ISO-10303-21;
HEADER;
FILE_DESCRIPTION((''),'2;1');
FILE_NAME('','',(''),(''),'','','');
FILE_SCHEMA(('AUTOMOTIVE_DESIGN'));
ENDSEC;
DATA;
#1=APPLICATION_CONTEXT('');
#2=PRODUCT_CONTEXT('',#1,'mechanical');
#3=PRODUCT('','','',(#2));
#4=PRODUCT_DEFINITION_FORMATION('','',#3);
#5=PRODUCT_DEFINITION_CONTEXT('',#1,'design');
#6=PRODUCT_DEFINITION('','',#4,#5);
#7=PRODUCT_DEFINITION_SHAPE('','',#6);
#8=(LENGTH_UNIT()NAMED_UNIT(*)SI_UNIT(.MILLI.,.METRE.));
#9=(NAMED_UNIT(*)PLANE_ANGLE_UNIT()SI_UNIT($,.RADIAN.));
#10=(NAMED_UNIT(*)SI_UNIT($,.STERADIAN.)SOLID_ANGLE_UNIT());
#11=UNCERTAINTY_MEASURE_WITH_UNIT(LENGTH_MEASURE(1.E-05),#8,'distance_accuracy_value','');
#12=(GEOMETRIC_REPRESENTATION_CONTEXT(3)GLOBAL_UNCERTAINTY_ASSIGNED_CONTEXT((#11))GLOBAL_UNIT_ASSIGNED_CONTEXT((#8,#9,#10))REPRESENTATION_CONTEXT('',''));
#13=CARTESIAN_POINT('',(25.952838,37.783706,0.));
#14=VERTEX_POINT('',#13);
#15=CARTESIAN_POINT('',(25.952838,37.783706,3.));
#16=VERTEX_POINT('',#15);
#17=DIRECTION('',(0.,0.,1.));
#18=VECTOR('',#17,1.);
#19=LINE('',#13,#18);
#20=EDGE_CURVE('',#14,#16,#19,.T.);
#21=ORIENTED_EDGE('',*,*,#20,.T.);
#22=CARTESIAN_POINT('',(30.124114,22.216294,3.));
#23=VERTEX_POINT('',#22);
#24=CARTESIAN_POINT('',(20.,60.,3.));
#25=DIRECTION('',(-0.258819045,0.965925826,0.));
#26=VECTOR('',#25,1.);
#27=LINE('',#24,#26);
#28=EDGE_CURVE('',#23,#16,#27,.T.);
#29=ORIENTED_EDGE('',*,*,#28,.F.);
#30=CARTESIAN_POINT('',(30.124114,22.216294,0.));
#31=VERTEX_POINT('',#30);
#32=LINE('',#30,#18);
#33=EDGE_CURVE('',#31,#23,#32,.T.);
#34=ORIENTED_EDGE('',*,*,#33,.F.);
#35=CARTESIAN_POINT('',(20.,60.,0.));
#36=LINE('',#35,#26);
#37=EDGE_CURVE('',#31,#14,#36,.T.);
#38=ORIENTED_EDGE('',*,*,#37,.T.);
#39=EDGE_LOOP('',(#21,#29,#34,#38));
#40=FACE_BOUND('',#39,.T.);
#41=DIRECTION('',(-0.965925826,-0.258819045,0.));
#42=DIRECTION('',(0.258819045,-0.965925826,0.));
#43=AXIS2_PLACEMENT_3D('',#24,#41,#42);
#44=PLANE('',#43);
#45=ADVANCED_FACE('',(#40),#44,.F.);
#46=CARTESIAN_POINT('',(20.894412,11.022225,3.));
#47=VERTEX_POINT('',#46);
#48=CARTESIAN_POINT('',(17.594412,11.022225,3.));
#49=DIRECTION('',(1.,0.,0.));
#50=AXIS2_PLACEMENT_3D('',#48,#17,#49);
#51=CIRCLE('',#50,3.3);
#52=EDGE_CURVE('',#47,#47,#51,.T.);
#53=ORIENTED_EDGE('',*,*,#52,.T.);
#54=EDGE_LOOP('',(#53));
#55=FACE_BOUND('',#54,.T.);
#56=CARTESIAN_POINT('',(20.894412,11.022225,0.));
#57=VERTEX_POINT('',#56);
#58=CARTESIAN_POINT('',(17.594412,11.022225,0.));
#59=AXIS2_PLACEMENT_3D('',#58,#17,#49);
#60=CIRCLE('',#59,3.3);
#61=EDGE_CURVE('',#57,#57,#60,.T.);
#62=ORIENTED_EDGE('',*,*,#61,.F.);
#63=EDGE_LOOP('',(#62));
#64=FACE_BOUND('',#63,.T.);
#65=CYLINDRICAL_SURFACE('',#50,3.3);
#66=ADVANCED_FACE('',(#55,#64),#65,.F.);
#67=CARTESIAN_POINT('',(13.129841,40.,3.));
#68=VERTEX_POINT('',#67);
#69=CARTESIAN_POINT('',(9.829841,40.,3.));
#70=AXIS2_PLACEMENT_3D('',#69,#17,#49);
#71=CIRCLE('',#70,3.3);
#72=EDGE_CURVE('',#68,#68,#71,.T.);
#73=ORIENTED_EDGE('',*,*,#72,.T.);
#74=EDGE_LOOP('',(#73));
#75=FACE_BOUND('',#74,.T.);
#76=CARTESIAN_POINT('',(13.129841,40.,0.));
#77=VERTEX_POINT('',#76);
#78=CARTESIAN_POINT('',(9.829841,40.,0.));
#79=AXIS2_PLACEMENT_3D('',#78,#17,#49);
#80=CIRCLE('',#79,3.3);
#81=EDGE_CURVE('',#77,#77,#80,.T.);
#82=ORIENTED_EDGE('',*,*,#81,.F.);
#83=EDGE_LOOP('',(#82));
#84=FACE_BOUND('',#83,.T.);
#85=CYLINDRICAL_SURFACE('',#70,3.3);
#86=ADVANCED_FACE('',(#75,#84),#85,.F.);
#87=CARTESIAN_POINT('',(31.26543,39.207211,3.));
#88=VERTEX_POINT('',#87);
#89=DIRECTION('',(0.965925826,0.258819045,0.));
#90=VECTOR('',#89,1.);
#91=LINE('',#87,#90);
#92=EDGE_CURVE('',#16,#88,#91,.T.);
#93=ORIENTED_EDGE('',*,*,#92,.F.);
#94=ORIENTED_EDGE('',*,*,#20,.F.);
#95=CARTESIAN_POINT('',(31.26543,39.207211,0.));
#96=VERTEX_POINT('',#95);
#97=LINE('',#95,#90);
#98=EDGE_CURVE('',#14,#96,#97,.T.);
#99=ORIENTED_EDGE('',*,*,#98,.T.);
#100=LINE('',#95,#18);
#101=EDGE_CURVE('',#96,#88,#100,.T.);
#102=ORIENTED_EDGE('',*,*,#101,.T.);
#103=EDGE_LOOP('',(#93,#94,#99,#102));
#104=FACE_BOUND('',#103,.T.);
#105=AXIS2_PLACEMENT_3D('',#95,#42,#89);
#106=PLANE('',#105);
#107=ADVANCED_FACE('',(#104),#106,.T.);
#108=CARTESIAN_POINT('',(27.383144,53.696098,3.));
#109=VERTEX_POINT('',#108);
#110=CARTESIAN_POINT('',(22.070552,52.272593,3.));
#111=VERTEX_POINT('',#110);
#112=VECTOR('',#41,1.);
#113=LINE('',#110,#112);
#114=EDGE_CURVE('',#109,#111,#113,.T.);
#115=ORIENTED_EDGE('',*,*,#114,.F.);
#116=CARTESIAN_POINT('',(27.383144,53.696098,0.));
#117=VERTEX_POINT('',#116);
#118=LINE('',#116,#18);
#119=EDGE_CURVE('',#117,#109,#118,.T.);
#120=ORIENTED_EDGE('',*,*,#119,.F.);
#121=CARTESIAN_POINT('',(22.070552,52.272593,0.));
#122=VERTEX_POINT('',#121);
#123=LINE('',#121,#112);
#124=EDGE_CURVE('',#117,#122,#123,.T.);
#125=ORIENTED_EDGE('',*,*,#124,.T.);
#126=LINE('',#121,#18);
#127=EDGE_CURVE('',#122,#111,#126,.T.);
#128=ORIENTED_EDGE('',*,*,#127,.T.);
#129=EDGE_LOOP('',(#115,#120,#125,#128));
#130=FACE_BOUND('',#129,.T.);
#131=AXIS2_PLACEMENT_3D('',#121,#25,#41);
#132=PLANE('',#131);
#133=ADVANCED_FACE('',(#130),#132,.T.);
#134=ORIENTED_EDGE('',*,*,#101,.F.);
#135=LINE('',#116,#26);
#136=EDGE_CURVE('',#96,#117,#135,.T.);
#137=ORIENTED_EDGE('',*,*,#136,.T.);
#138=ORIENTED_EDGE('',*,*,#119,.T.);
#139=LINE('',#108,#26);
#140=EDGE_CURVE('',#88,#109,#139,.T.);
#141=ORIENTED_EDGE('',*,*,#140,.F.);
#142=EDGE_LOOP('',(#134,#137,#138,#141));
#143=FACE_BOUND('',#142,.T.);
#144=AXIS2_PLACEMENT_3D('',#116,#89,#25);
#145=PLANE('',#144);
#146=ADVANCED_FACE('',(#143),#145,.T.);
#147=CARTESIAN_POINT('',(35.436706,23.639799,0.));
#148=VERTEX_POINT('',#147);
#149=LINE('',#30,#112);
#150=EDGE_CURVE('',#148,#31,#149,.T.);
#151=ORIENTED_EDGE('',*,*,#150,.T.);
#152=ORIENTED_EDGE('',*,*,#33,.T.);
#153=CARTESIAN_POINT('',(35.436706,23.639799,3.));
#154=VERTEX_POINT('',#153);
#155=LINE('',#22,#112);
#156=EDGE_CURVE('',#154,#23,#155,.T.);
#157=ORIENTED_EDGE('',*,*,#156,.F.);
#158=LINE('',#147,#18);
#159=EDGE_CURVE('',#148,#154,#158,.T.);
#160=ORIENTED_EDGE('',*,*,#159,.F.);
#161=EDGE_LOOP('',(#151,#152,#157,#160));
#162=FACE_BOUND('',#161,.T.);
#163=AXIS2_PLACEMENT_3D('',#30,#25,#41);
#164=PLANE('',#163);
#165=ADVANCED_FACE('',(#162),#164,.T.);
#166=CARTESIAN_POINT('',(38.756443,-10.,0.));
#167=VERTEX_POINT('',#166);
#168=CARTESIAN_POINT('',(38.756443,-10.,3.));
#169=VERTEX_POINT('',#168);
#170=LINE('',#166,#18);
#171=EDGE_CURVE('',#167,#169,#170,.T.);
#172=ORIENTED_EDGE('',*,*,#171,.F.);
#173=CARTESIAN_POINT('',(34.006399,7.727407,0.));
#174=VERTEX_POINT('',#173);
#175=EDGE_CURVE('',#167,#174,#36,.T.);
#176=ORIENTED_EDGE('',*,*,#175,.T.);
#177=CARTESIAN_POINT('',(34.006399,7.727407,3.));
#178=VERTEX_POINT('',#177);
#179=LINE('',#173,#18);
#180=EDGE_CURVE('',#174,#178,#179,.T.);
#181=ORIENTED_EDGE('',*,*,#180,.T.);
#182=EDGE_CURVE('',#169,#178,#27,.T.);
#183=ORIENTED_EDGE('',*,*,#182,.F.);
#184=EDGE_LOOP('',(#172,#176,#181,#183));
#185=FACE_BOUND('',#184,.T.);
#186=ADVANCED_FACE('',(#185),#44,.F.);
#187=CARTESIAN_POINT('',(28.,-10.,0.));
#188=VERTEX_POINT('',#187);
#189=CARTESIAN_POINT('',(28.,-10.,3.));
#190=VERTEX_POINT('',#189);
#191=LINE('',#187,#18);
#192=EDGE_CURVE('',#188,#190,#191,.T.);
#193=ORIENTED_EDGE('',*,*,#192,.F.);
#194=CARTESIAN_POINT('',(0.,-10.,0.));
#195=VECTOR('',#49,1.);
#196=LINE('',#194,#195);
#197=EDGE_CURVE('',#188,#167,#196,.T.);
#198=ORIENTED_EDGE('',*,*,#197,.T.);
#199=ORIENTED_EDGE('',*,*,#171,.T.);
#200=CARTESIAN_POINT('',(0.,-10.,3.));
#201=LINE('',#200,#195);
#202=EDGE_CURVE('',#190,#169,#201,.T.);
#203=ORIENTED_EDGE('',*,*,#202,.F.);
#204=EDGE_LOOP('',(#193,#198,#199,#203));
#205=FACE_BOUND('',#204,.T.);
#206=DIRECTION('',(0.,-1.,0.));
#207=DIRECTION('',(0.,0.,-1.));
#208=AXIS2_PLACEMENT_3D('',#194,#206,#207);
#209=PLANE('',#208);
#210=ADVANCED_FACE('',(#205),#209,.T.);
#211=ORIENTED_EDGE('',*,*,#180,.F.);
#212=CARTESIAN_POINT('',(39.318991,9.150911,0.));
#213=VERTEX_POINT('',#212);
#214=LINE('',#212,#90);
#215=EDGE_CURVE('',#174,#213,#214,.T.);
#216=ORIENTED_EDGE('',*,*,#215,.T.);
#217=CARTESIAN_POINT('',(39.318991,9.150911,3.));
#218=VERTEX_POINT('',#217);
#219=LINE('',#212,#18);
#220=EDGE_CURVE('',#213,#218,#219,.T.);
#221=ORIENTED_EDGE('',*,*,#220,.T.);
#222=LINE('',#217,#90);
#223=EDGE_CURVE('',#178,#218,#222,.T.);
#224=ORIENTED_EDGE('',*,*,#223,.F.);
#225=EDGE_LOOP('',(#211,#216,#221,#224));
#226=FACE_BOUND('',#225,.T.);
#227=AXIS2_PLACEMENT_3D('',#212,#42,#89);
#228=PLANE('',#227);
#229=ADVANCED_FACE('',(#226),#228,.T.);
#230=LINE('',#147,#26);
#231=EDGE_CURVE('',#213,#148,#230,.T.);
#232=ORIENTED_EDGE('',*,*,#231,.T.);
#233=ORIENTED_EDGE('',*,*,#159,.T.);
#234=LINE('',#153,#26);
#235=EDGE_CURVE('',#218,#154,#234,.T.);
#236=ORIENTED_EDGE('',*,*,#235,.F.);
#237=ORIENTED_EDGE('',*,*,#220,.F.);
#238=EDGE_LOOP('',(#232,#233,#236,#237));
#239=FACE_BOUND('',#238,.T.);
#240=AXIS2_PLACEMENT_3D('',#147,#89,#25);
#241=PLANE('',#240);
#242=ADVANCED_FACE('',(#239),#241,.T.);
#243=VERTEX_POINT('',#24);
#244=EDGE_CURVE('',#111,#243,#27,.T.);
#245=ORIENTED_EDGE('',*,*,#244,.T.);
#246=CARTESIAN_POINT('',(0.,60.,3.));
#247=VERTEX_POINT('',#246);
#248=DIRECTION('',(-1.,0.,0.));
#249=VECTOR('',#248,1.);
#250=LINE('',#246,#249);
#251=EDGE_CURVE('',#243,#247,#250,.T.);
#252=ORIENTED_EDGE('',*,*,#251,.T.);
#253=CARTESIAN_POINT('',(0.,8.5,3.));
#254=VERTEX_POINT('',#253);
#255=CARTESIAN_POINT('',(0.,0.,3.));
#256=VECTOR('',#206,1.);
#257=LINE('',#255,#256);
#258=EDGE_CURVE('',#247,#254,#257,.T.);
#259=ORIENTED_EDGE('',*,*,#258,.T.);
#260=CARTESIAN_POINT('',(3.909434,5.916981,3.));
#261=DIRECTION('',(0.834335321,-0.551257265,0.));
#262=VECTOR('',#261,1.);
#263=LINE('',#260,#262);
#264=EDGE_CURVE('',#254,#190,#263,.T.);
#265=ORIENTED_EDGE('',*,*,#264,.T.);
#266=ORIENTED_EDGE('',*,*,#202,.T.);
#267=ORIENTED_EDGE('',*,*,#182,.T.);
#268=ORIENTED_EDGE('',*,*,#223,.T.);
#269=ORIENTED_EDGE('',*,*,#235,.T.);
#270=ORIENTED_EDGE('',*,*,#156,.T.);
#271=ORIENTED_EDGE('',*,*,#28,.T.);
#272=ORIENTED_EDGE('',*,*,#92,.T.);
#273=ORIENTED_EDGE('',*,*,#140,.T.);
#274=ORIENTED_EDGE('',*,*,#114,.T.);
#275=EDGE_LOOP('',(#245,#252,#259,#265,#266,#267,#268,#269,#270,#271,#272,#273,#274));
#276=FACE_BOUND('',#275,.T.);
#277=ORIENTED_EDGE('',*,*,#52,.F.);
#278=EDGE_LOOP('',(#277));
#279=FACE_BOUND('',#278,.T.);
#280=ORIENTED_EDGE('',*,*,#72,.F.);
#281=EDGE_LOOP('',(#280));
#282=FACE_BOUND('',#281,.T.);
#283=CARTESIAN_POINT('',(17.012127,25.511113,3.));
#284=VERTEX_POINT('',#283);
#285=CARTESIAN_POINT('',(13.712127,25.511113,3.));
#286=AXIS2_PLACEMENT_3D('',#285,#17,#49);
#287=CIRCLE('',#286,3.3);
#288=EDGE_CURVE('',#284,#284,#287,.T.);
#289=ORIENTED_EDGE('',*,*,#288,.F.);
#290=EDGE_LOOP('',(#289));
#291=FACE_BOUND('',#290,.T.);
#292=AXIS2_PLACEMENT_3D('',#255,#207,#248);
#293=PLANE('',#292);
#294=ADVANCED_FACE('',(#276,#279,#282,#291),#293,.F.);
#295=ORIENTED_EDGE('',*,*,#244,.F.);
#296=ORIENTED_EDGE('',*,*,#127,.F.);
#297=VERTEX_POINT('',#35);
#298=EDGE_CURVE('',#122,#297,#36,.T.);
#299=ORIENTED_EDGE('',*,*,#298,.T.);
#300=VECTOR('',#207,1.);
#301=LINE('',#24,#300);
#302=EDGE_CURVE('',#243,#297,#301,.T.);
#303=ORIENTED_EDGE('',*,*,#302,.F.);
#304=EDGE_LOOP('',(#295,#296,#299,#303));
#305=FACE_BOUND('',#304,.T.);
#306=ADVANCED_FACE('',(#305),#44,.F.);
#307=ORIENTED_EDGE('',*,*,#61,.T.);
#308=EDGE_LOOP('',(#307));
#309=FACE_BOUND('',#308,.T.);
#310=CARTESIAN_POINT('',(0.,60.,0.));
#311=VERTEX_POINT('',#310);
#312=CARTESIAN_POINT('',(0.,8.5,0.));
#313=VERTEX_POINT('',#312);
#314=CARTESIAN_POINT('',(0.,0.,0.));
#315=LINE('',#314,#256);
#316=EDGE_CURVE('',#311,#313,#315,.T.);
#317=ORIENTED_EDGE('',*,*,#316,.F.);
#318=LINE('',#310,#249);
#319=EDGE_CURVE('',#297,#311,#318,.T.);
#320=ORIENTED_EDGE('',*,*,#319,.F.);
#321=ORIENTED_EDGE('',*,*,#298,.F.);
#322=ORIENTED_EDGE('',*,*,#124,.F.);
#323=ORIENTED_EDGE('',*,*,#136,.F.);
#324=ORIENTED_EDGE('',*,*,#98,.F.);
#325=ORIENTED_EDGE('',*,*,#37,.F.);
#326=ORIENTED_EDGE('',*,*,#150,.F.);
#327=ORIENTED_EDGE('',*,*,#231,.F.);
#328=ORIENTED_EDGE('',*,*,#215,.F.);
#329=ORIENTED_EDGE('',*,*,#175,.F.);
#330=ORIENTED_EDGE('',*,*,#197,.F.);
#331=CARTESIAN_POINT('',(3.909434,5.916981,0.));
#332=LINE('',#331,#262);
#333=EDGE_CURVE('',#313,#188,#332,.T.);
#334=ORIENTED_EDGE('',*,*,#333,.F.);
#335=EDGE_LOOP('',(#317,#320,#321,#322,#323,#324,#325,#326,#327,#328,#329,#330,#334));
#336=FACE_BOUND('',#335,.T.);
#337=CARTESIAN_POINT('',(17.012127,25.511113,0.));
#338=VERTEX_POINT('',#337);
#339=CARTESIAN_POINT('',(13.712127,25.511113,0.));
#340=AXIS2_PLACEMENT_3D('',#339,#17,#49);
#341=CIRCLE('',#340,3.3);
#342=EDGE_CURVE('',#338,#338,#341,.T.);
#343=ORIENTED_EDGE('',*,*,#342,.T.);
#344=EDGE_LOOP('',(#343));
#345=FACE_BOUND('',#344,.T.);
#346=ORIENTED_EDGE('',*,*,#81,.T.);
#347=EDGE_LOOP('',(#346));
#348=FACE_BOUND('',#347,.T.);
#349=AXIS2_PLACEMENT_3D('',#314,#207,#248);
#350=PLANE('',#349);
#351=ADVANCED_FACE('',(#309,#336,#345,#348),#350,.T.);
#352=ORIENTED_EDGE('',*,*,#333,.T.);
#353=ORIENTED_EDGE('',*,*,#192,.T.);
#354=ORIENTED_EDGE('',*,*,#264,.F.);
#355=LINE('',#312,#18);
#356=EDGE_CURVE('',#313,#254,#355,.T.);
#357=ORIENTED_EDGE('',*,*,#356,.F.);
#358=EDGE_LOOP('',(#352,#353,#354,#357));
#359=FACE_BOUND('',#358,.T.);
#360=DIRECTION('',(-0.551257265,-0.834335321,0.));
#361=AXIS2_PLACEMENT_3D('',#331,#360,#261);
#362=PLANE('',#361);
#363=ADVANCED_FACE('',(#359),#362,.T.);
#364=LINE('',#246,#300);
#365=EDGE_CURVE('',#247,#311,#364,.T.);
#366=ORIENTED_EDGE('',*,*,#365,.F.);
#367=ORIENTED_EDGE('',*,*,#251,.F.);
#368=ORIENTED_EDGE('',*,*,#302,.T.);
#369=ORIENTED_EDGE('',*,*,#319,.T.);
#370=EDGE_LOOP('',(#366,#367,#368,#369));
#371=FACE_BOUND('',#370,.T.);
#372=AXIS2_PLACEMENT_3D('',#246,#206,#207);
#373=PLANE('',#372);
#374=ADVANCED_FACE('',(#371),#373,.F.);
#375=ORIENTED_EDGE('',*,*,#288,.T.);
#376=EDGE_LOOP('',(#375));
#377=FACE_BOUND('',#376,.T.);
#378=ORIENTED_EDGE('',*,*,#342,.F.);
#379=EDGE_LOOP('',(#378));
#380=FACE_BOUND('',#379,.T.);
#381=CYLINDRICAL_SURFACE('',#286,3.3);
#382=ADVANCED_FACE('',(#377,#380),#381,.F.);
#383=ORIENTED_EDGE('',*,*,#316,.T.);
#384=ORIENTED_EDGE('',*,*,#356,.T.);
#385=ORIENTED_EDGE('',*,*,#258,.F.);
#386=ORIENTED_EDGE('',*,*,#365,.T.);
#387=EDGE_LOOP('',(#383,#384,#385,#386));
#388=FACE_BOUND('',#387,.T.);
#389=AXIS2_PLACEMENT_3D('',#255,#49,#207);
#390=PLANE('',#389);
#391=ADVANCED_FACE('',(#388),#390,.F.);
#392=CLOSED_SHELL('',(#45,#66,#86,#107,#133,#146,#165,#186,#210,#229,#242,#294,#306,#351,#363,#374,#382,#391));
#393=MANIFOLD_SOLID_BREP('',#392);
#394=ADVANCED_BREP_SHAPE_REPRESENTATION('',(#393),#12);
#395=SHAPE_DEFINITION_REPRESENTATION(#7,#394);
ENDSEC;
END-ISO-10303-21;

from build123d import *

# Parameters (mm, degrees)
RESSALTO_EXTRUS_O1_DEPTH = 3
FURO_COM_FOLGA_DE_M61_D  = 6.6
RESSALTO_EXTRUS_O2_DEPTH = 3
RESSALTO_EXTRUS_O3_DEPTH = 3
CORTE_EXTRUS_O1_DEPTH    = 72.798210781


with BuildPart() as part:
    # Esboço1 → Ressalto-extrusão1 (new body)
    with BuildSketch(Plane.XY):
        Polygon((0, 0), (0, 60), (20, 60), (36.076951546, 0), align=None)
    extrude(amount=RESSALTO_EXTRUS_O1_DEPTH)

    # Furo com folga de M61 (through all)
    with Locations(Plane.XY.offset(3)):
        with Locations((9.829841142, 40), (13.712126819, 25.511112606), (17.594412496, 11.022225211)):
            Hole(FURO_COM_FOLGA_DE_M61_D / 2)

    # Esboço4 → Ressalto-extrusão2 (add)
    with BuildSketch(Plane.XY.offset(3)):
        Polygon((22.070552361, 52.27259339), (27.383144405, 53.696098138), (31.265430082, 39.207210743), (25.952838037, 37.783705995), align=None)
        Polygon((30.124113509, 22.216294005), (35.436705553, 23.639798753), (39.31899123, 9.150911358), (34.006399185, 7.72740661), align=None)
    extrude(amount=-RESSALTO_EXTRUS_O2_DEPTH)

    # Esboço5 → Ressalto-extrusão3 (add)
    with BuildSketch(Plane.XY.offset(3)):
        Polygon((0, 0), (0, -10), (38.75644347, -10), (36.076951546, 0), align=None)
    extrude(amount=-RESSALTO_EXTRUS_O3_DEPTH)

    # Esboço6 → Corte-extrusão1 (cut, through all)
    with BuildSketch(Plane.XY.offset(3)):
        Polygon((0, 8.5), (0, -10), (28, -10), align=None)
    extrude(amount=-CORTE_EXTRUS_O1_DEPTH, mode=Mode.SUBTRACT)


solid = part.part
